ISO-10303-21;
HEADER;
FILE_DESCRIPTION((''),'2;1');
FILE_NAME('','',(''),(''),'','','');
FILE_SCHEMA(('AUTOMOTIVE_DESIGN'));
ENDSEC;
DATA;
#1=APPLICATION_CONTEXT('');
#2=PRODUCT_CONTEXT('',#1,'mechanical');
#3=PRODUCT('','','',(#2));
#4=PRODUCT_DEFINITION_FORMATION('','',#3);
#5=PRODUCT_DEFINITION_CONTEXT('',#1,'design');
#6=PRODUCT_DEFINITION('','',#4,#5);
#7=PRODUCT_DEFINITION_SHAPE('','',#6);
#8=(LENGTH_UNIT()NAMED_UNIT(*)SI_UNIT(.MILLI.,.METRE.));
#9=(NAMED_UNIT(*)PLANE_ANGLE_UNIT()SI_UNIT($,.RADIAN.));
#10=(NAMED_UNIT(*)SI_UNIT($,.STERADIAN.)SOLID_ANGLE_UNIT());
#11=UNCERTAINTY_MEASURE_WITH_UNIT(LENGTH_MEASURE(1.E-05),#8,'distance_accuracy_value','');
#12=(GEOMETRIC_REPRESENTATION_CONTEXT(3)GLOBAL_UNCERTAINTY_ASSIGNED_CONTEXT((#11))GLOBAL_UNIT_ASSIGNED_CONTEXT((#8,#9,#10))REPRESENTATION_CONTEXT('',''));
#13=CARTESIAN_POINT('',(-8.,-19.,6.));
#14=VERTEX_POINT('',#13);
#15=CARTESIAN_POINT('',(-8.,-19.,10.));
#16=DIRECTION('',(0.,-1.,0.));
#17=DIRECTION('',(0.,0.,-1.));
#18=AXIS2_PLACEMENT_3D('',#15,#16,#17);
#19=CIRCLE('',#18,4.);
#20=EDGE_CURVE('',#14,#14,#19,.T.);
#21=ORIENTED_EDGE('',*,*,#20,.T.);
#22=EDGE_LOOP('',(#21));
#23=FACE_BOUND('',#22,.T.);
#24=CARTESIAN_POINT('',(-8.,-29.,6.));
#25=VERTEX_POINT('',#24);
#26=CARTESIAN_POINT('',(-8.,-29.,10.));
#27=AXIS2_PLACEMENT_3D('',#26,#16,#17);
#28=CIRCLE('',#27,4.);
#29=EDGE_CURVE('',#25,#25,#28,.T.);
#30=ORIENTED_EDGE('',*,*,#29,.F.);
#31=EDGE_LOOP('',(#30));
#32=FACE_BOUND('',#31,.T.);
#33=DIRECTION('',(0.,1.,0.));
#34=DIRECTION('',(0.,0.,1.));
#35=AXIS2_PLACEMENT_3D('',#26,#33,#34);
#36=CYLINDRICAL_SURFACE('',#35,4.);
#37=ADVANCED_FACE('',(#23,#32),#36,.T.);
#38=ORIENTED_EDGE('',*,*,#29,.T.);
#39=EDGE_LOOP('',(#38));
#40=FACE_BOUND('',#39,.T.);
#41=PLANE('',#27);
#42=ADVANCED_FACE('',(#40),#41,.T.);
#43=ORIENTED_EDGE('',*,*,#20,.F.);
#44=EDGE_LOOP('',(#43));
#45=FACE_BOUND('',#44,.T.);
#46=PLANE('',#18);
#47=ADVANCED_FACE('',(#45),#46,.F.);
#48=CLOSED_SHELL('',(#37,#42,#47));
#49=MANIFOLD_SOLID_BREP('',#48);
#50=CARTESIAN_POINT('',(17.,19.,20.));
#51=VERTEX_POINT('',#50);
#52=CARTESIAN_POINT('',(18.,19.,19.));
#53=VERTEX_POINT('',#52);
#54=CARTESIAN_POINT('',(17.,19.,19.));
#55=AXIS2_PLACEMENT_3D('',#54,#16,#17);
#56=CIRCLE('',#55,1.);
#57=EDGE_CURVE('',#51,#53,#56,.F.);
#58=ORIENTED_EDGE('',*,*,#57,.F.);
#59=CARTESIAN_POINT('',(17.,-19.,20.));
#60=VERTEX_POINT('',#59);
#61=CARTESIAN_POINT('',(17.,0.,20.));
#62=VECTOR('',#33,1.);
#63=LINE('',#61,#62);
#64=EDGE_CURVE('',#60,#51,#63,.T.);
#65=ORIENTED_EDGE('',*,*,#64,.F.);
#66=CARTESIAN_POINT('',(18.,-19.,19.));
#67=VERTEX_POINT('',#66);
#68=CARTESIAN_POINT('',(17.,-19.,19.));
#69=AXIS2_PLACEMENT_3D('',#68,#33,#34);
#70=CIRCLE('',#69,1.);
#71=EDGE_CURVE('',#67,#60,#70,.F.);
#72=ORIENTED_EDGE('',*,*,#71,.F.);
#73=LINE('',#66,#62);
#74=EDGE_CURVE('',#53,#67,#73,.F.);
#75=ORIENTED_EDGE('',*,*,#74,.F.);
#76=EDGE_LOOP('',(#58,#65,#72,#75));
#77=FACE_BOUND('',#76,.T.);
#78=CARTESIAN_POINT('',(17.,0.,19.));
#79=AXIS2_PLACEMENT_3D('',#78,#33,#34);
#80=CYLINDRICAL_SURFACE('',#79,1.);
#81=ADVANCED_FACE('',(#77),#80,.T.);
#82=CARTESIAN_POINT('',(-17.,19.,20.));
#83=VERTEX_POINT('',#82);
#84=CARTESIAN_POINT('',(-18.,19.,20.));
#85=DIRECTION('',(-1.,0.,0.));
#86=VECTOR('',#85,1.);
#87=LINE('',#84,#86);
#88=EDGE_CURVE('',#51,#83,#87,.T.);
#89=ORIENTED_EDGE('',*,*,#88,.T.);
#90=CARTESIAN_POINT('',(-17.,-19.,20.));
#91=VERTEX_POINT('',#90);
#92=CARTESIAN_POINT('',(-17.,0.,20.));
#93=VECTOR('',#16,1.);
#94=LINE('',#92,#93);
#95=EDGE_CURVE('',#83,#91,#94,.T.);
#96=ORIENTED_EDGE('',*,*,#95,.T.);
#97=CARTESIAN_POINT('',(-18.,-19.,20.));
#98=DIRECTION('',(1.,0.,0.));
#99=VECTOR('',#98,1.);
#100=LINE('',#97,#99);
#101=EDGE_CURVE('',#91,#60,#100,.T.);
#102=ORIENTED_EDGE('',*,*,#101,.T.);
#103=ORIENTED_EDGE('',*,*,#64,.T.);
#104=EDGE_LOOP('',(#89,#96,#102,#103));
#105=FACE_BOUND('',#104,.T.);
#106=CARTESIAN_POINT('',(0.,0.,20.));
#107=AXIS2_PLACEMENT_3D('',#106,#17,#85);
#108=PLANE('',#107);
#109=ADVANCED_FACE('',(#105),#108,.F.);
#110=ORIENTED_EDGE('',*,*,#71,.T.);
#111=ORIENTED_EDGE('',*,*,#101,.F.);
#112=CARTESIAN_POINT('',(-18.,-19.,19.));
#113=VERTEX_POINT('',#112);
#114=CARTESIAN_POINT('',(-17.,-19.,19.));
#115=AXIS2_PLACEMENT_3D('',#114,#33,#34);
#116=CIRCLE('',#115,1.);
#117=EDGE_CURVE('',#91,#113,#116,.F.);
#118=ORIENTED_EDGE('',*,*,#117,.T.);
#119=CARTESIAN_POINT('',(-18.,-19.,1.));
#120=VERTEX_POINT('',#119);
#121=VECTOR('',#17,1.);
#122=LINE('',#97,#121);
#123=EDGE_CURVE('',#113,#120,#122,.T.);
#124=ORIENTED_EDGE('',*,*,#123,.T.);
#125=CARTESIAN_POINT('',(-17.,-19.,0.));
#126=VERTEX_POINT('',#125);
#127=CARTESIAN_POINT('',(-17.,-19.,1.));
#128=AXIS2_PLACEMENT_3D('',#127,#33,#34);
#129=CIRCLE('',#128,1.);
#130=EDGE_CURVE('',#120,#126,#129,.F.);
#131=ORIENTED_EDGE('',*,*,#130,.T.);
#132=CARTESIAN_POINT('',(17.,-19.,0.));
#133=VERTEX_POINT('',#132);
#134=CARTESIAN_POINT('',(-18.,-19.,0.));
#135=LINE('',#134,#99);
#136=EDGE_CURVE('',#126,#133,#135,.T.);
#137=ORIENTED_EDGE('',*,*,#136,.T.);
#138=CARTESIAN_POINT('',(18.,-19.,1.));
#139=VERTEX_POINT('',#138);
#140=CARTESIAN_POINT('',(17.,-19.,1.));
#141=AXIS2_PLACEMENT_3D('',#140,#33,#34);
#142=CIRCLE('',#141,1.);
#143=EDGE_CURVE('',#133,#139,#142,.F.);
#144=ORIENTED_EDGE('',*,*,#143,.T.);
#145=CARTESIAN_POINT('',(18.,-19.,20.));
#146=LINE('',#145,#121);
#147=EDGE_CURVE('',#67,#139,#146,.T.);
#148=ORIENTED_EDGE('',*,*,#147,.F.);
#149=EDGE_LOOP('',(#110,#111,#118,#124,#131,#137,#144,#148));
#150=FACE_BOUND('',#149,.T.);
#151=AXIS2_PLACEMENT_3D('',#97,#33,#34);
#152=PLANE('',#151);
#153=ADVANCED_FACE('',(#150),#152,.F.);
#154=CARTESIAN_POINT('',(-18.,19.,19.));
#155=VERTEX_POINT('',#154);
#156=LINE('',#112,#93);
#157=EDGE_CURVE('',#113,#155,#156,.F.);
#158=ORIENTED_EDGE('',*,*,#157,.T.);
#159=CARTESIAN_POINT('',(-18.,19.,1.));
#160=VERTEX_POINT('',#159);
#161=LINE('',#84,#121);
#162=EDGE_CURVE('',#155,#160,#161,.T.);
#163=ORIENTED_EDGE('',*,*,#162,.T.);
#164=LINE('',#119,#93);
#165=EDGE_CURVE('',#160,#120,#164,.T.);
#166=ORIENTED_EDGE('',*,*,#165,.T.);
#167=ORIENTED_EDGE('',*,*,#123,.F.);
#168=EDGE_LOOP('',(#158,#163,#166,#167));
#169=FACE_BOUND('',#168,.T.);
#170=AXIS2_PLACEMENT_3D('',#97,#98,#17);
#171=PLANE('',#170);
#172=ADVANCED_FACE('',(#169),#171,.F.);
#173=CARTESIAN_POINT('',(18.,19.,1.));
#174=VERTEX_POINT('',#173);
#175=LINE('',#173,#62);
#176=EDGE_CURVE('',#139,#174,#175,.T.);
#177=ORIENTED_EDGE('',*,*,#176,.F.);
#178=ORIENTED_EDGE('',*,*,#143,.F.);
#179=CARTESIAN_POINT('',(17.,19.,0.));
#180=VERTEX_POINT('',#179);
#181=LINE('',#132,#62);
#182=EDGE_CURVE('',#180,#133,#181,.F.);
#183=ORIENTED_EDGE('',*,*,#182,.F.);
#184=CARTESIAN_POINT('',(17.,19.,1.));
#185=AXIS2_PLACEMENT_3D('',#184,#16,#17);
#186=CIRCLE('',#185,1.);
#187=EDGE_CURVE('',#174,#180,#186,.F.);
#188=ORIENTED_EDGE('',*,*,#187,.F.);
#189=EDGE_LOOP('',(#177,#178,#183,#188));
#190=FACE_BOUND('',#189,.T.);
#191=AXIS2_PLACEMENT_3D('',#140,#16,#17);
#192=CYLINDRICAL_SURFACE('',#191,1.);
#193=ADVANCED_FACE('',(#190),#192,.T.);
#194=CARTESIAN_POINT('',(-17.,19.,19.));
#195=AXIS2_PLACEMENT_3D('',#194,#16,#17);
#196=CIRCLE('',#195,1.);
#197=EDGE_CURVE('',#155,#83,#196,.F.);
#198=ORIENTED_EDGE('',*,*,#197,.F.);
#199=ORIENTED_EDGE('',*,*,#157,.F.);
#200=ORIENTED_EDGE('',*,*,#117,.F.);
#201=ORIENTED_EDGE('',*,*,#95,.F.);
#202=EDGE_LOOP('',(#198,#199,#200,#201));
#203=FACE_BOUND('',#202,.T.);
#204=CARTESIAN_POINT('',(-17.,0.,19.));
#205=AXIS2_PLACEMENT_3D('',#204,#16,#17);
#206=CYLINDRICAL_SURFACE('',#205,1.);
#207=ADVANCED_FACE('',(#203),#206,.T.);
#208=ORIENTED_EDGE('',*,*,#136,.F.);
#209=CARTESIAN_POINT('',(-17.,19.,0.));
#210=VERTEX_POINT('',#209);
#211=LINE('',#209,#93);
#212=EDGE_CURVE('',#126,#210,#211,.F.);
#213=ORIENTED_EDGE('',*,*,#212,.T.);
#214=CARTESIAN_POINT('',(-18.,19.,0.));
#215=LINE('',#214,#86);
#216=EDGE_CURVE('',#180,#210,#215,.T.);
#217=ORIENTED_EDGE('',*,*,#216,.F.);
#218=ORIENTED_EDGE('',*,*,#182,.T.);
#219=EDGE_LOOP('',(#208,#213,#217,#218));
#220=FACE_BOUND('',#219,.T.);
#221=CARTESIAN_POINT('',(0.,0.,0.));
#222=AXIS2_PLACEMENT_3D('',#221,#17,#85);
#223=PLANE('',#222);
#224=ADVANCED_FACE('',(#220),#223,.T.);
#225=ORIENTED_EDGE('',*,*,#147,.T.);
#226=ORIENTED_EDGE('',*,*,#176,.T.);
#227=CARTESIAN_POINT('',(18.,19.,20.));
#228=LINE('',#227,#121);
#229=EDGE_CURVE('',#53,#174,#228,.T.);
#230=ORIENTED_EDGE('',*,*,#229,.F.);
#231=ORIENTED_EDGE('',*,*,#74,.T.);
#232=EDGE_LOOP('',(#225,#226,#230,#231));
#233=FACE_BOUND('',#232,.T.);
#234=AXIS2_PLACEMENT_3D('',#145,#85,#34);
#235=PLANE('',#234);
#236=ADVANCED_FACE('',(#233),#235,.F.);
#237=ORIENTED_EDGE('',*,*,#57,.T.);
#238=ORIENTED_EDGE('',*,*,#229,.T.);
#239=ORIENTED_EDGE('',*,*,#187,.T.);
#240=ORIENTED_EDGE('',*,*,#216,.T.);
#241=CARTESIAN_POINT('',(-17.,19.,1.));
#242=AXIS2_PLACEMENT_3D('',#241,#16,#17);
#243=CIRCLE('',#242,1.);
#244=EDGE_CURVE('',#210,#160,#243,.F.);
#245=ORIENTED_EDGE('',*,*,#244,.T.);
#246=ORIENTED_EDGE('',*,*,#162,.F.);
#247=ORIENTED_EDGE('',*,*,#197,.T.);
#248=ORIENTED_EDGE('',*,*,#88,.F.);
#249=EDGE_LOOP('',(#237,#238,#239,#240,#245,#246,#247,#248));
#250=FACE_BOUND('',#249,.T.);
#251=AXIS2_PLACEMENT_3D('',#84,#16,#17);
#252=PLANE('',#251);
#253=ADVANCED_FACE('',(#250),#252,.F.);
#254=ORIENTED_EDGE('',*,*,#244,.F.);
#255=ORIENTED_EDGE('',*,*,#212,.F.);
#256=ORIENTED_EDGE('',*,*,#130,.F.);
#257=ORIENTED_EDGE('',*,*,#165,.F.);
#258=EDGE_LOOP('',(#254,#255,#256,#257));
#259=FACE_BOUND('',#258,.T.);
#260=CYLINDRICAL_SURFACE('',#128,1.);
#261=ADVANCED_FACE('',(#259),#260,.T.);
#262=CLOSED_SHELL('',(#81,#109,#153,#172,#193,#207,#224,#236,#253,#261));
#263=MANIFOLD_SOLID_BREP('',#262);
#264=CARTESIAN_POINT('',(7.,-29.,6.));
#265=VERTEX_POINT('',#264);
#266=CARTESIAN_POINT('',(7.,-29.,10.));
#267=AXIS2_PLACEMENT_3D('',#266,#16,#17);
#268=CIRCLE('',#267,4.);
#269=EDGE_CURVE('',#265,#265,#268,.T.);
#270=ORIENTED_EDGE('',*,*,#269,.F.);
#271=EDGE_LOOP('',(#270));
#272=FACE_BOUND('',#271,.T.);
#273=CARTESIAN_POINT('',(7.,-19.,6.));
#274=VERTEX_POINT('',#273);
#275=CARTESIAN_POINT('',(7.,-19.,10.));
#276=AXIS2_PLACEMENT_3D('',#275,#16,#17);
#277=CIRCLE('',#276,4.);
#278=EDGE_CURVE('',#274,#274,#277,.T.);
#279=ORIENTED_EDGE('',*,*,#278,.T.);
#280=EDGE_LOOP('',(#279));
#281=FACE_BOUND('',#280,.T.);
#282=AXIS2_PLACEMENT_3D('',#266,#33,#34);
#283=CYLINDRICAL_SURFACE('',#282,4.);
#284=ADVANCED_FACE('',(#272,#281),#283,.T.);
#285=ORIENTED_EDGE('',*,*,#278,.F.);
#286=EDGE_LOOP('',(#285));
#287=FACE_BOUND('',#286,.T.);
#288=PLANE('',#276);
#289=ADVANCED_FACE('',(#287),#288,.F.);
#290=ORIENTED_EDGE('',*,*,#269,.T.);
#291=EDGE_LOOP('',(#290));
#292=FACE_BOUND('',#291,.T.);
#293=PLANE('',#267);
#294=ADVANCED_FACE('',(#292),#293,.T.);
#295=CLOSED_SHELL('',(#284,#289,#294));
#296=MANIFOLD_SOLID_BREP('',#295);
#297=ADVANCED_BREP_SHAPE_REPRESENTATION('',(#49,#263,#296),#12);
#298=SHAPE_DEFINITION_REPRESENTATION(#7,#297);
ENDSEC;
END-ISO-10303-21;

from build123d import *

# Parameters (mm, degrees)
SKETCH1_W             = 36
SKETCH1_H             = 38
BOSS_EXTRUDE1_DEPTH   = 20
FILLET1_R             = 1
SKETCH2_R             = 4
BOSS_EXTRUDE2_DEPTH   = 10
BOSS_EXTRUDE2_2_DEPTH = 10


with BuildPart() as part:
    # Sketch1 → Boss-Extrude1 (new body)
    with BuildSketch(Plane.XY):
        Rectangle(SKETCH1_W, SKETCH1_H)
    extrude(amount=BOSS_EXTRUDE1_DEPTH)

    # Fillet1
    fillet1_edges = [part.edges().sort_by_distance(p)[0] for p in [
        (-18, 0, 20),
        (18, 0, 20),
        (-18, 0, 0),
        (18, 0, 0),
    ]]
    fillet(fillet1_edges, radius=FILLET1_R)


with BuildPart() as body_2:
    # Sketch2 → Boss-Extrude2 (new body)
    with BuildSketch(Plane.XZ.offset(19)):
        with Locations(Location((-8, 10, 0), (0, 0, 270))):
            Circle(SKETCH2_R)
    extrude(amount=BOSS_EXTRUDE2_DEPTH)


with BuildPart() as body_3:
    # Sketch2 → Boss-Extrude2 2 (new body)
    with BuildSketch(Plane.XZ.offset(19)):
        with Locations(Location((7, 10, 0), (0, 0, 270))):
            Circle(SKETCH2_R)
    extrude(amount=BOSS_EXTRUDE2_2_DEPTH)


solid = Compound([part.part, body_2.part, body_3.part])
